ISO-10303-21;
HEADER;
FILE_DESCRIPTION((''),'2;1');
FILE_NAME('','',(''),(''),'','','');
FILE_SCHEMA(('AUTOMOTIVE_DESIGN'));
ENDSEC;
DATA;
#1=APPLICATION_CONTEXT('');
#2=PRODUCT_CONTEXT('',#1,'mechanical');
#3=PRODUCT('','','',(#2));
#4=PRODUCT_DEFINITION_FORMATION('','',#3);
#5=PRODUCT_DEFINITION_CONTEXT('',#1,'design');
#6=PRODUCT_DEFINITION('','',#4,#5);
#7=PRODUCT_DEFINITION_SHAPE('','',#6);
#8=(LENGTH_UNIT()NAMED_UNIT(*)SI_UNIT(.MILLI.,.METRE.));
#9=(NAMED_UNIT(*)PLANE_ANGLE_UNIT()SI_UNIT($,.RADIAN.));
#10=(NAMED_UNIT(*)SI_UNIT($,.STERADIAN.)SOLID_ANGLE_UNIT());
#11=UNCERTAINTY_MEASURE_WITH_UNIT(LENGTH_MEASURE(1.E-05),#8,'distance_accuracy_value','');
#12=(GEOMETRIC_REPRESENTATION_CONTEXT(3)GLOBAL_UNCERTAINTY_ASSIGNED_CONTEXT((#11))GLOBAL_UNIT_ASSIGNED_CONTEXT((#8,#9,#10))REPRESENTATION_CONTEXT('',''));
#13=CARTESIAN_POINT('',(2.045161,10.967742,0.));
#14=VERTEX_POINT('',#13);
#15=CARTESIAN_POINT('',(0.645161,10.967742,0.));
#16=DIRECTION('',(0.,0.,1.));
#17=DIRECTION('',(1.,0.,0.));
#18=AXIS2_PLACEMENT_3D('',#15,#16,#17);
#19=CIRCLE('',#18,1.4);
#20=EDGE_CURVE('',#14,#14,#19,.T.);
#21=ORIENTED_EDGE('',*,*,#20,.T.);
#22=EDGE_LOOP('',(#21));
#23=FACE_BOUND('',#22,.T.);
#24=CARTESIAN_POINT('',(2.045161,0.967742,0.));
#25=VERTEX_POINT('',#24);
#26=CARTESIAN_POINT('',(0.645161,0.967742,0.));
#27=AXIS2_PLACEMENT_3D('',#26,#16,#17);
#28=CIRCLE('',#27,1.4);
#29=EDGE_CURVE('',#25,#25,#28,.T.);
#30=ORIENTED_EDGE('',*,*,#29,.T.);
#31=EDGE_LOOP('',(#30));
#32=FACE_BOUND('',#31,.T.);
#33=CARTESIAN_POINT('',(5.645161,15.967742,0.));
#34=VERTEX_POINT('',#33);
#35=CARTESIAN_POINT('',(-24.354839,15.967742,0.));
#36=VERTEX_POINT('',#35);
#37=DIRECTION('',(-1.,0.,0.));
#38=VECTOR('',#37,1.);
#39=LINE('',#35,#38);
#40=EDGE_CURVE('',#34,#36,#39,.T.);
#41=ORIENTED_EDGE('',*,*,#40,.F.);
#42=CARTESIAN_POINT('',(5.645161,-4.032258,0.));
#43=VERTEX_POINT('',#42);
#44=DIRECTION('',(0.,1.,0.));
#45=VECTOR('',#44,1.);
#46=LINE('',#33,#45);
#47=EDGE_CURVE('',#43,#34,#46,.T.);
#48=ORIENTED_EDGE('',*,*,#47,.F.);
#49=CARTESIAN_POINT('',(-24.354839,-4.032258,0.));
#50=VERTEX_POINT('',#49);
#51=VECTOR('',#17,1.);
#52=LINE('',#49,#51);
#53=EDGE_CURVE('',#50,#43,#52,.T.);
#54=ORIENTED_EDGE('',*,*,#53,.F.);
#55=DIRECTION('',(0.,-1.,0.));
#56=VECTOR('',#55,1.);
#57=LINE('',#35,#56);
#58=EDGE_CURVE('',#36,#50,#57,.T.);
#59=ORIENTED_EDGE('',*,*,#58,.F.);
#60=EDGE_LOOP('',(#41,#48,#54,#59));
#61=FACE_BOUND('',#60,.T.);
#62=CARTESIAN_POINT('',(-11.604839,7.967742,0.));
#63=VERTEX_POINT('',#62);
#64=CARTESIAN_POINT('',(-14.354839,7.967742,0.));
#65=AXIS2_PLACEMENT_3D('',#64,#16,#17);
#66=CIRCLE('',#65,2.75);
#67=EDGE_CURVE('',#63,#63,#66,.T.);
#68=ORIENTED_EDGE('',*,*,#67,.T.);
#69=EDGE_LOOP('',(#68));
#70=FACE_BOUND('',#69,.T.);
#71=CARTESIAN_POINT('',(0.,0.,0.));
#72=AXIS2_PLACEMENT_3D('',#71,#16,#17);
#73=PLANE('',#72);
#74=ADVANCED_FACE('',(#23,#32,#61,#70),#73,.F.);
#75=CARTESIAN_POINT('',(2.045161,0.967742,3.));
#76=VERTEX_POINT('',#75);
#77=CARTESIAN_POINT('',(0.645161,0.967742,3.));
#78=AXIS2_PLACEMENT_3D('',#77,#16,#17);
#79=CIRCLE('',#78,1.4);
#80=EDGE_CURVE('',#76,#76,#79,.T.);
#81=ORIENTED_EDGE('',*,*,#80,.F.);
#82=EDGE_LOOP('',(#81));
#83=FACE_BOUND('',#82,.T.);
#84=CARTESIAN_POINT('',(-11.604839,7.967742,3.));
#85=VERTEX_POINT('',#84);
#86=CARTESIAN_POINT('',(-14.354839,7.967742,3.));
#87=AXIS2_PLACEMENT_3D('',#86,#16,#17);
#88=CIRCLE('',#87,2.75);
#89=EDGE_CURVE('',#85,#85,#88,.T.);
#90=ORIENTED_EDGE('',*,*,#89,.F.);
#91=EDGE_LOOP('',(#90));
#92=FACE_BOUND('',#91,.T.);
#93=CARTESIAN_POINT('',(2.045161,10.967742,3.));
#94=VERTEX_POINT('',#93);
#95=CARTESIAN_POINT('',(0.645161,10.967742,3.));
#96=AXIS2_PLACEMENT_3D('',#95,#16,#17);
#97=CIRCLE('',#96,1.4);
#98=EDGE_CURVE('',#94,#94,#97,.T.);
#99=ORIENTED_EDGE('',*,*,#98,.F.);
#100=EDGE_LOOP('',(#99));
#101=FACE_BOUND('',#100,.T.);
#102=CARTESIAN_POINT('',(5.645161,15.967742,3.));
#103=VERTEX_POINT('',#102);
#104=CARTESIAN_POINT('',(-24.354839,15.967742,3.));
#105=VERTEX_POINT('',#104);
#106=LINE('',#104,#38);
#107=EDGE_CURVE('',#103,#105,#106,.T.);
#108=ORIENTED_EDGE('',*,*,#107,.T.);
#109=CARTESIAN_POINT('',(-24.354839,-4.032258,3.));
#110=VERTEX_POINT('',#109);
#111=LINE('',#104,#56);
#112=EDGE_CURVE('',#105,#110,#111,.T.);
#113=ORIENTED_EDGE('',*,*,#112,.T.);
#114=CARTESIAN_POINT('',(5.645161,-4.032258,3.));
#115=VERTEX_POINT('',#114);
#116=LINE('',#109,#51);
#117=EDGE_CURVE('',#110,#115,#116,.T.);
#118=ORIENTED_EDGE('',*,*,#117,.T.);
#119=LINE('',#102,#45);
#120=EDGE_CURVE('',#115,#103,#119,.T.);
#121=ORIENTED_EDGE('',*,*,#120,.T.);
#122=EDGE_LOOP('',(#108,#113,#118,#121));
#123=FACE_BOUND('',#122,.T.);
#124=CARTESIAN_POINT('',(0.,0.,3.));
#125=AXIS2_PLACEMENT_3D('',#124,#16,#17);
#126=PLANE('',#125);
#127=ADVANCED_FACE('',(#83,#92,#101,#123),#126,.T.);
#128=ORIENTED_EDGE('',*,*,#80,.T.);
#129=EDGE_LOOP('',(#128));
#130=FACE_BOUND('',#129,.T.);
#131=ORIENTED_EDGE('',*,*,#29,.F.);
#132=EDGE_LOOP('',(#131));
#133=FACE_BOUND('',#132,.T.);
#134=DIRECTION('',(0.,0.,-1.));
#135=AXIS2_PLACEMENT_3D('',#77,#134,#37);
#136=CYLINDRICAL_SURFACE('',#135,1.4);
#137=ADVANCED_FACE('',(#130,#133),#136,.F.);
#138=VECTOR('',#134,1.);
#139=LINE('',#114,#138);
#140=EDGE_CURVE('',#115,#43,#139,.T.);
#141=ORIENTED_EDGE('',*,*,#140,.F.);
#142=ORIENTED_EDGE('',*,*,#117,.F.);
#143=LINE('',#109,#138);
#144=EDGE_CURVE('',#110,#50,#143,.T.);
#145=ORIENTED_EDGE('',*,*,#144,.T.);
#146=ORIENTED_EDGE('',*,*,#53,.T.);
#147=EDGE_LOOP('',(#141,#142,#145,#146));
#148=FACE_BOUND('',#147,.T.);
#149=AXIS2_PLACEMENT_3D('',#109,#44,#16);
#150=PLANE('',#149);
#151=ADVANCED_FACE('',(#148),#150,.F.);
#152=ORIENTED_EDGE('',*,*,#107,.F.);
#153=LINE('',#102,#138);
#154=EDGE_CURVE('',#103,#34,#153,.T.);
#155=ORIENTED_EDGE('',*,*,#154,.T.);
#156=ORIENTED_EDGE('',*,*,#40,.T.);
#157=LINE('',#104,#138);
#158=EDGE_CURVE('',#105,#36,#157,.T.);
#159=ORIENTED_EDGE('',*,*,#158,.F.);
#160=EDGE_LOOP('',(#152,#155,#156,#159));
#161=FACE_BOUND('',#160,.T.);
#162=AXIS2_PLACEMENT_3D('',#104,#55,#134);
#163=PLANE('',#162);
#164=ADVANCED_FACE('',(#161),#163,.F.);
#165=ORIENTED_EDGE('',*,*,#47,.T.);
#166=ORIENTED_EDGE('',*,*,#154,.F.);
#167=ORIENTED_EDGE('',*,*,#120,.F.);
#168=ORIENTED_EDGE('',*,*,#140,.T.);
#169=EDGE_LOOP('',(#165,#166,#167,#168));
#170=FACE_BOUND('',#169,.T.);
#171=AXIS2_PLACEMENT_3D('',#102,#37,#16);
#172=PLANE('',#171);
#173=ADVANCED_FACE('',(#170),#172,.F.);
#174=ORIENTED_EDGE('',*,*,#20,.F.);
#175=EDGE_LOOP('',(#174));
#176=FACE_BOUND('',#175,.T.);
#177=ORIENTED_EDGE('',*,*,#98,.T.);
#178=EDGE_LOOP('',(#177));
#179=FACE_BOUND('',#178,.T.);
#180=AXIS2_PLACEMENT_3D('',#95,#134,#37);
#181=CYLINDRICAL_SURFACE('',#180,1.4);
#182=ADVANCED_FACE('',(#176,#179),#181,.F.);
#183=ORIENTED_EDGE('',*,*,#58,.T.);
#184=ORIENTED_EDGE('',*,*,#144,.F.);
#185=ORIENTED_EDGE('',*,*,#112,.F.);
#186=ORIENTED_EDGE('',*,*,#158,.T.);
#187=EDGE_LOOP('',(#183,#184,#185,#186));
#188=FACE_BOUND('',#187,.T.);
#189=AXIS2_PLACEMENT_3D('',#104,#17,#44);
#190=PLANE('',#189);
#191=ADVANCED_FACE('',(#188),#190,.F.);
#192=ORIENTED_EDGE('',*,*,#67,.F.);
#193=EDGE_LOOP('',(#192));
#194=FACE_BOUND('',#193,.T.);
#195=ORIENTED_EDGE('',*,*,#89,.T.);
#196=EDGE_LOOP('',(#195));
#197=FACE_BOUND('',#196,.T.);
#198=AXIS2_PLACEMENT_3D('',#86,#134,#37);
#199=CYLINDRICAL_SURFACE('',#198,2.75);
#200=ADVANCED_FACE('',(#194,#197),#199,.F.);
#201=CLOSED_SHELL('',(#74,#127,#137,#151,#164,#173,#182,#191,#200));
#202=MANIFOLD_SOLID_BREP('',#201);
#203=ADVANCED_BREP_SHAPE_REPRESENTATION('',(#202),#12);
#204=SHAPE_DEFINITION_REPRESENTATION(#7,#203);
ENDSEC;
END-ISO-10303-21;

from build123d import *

# Parameters (mm, degrees)
SKETCH1_W           = 30
SKETCH1_H           = 20
SKETCH1_R           = 2.75
SKETCH1_R_2         = 1.4
BOSS_EXTRUDE1_DEPTH = 3


with BuildPart() as part:
    # Sketch1 → Boss-Extrude1 (new body)
    with BuildSketch(Plane.XY):
        with Locations((-9.35483871, 5.967741935)):
            Rectangle(SKETCH1_W, SKETCH1_H)
        with Locations((-14.35483871, 7.967741935)):
            Circle(SKETCH1_R, mode=Mode.SUBTRACT)
        with Locations((0.64516129, 10.967741935)):
            Circle(SKETCH1_R_2, mode=Mode.SUBTRACT)
        with Locations((0.64516129, 0.967741935)):
            Circle(SKETCH1_R_2, mode=Mode.SUBTRACT)
    extrude(amount=BOSS_EXTRUDE1_DEPTH)


solid = part.part
